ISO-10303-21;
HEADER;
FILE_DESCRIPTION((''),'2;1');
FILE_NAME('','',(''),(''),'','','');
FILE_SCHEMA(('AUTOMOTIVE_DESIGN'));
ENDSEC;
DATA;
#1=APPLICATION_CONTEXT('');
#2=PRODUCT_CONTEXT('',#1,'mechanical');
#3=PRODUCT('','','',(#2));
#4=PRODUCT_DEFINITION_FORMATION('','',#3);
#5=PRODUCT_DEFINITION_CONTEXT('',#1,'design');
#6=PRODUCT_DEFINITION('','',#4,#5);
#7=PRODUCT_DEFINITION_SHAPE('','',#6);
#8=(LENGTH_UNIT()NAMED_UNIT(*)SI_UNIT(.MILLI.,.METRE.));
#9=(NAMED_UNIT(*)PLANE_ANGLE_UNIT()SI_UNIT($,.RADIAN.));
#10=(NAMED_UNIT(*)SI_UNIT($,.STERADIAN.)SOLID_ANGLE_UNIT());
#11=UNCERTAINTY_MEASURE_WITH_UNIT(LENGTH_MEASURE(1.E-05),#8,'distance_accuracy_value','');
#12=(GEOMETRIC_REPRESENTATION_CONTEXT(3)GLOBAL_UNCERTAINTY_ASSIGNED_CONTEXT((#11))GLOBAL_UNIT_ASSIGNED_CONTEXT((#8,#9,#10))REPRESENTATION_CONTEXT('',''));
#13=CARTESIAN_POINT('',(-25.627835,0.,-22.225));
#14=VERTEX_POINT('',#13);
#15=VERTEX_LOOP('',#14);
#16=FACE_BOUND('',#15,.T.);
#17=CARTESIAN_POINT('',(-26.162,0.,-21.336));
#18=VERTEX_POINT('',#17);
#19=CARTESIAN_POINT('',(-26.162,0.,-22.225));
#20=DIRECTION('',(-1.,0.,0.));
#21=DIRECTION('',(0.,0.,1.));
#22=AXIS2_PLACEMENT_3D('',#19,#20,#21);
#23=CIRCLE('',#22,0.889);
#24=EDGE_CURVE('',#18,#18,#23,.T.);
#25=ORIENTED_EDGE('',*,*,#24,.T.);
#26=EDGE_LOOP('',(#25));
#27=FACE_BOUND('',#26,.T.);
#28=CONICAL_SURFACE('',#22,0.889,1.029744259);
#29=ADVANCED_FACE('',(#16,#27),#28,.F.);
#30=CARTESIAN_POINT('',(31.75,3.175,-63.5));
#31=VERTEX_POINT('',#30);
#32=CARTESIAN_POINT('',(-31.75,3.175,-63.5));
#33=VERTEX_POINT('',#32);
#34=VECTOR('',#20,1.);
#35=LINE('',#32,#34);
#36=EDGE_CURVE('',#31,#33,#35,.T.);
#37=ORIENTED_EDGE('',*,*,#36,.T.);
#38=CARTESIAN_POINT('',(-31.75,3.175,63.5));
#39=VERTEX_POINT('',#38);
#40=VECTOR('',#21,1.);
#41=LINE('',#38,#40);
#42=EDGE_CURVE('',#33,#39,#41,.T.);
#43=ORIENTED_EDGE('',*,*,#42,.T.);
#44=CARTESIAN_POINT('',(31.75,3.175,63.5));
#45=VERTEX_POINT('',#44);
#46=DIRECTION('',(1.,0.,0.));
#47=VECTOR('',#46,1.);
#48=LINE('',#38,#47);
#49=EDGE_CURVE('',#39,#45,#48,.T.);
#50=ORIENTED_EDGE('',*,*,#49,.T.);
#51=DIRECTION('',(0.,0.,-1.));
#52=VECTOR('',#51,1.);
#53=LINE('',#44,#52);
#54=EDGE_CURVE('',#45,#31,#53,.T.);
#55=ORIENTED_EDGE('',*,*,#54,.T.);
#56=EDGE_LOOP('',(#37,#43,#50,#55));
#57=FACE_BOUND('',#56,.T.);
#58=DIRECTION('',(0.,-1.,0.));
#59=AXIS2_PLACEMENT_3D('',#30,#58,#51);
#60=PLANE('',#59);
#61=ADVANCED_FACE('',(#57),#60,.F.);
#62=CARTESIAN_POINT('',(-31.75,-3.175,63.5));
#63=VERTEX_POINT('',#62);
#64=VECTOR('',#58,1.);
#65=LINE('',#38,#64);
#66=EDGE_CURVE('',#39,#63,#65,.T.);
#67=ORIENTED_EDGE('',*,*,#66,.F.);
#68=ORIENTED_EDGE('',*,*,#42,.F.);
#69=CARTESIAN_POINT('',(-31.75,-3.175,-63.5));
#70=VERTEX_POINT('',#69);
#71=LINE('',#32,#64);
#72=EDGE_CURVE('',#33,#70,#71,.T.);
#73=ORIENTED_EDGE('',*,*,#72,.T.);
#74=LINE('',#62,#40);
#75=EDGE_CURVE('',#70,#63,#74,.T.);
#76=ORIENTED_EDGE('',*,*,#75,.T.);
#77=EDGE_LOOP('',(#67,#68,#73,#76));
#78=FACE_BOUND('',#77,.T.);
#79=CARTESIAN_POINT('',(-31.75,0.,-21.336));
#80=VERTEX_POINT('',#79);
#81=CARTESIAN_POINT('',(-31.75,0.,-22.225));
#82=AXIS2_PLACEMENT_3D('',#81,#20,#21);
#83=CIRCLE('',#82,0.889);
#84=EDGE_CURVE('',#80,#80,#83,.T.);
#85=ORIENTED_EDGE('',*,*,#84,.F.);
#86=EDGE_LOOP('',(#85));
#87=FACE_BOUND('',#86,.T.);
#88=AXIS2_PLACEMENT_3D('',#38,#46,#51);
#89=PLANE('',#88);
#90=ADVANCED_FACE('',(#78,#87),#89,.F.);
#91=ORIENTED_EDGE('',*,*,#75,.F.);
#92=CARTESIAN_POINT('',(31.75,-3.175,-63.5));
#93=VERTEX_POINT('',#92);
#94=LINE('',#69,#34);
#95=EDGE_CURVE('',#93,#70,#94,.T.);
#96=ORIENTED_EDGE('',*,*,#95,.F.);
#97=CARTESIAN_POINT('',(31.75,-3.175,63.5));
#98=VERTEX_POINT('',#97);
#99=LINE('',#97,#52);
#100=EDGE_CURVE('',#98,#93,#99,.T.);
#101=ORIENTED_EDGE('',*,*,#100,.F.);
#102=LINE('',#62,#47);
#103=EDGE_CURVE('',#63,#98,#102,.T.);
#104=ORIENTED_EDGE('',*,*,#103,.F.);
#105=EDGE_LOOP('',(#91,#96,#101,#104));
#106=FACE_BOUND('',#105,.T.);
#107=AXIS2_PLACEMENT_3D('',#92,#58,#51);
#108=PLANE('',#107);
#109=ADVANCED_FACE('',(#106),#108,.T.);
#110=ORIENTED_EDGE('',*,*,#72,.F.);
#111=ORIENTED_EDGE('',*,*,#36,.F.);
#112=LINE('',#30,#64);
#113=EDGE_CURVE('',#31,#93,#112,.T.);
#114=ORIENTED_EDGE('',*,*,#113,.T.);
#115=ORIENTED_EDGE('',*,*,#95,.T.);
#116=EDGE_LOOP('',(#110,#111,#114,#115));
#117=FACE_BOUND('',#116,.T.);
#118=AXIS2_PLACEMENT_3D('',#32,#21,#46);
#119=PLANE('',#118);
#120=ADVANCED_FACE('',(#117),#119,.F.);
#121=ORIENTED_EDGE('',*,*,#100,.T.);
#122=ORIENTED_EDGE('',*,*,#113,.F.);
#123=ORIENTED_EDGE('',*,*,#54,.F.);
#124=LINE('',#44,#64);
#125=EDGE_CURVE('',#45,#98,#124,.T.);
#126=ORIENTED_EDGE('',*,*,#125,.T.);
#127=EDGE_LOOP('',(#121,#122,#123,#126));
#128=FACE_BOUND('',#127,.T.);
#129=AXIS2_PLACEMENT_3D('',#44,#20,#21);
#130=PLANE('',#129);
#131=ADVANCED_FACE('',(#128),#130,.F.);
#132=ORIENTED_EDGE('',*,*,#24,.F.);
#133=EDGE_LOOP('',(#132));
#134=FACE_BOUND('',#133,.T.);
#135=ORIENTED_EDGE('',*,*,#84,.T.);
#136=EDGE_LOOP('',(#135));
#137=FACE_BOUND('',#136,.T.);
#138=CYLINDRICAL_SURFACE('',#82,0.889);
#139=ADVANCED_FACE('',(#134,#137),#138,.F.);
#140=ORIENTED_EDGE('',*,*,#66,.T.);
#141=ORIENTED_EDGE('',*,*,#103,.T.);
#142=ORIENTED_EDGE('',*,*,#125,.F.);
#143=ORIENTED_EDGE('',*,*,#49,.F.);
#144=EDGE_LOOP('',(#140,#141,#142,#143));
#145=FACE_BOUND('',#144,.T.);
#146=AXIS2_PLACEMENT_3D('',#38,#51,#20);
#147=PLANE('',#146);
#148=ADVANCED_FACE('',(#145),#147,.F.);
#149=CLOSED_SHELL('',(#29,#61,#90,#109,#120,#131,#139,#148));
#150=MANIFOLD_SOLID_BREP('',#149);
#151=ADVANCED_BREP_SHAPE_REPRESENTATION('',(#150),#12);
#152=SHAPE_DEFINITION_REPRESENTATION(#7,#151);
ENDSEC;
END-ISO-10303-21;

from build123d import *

# Parameters (mm, degrees)
SKETCH1_W                 = 63.5
SKETCH1_H                 = 127
BOSS_EXTRUDE1_DEPTH       = 3.175
F_2_56_TAPPED_HOLE1_D     = 1.778
F_2_56_TAPPED_HOLE1_DEPTH = 5.588
F_2_56_TAPPED_HOLE1_TIP   = 0.53416509


with BuildPart() as part:
    # Sketch1 → Boss-Extrude1 (new body, symmetric)
    with BuildSketch(Plane(origin=(0, 0, 0), x_dir=(1, 0, 0), z_dir=(0, 1, 0))):
        Rectangle(SKETCH1_W, SKETCH1_H)
    extrude(amount=BOSS_EXTRUDE1_DEPTH, both=True)

    # #2-56 Tapped Hole1
    with Locations(Plane.ZY.offset(31.75)):
        with Locations((-22.225, 0)):
            Hole(F_2_56_TAPPED_HOLE1_D / 2, depth=F_2_56_TAPPED_HOLE1_DEPTH)
            with Locations((0, 0, -(F_2_56_TAPPED_HOLE1_DEPTH + F_2_56_TAPPED_HOLE1_TIP / 2))):  # 118° drill point
                Cone(0, F_2_56_TAPPED_HOLE1_D / 2, F_2_56_TAPPED_HOLE1_TIP, mode=Mode.SUBTRACT)


solid = part.part
